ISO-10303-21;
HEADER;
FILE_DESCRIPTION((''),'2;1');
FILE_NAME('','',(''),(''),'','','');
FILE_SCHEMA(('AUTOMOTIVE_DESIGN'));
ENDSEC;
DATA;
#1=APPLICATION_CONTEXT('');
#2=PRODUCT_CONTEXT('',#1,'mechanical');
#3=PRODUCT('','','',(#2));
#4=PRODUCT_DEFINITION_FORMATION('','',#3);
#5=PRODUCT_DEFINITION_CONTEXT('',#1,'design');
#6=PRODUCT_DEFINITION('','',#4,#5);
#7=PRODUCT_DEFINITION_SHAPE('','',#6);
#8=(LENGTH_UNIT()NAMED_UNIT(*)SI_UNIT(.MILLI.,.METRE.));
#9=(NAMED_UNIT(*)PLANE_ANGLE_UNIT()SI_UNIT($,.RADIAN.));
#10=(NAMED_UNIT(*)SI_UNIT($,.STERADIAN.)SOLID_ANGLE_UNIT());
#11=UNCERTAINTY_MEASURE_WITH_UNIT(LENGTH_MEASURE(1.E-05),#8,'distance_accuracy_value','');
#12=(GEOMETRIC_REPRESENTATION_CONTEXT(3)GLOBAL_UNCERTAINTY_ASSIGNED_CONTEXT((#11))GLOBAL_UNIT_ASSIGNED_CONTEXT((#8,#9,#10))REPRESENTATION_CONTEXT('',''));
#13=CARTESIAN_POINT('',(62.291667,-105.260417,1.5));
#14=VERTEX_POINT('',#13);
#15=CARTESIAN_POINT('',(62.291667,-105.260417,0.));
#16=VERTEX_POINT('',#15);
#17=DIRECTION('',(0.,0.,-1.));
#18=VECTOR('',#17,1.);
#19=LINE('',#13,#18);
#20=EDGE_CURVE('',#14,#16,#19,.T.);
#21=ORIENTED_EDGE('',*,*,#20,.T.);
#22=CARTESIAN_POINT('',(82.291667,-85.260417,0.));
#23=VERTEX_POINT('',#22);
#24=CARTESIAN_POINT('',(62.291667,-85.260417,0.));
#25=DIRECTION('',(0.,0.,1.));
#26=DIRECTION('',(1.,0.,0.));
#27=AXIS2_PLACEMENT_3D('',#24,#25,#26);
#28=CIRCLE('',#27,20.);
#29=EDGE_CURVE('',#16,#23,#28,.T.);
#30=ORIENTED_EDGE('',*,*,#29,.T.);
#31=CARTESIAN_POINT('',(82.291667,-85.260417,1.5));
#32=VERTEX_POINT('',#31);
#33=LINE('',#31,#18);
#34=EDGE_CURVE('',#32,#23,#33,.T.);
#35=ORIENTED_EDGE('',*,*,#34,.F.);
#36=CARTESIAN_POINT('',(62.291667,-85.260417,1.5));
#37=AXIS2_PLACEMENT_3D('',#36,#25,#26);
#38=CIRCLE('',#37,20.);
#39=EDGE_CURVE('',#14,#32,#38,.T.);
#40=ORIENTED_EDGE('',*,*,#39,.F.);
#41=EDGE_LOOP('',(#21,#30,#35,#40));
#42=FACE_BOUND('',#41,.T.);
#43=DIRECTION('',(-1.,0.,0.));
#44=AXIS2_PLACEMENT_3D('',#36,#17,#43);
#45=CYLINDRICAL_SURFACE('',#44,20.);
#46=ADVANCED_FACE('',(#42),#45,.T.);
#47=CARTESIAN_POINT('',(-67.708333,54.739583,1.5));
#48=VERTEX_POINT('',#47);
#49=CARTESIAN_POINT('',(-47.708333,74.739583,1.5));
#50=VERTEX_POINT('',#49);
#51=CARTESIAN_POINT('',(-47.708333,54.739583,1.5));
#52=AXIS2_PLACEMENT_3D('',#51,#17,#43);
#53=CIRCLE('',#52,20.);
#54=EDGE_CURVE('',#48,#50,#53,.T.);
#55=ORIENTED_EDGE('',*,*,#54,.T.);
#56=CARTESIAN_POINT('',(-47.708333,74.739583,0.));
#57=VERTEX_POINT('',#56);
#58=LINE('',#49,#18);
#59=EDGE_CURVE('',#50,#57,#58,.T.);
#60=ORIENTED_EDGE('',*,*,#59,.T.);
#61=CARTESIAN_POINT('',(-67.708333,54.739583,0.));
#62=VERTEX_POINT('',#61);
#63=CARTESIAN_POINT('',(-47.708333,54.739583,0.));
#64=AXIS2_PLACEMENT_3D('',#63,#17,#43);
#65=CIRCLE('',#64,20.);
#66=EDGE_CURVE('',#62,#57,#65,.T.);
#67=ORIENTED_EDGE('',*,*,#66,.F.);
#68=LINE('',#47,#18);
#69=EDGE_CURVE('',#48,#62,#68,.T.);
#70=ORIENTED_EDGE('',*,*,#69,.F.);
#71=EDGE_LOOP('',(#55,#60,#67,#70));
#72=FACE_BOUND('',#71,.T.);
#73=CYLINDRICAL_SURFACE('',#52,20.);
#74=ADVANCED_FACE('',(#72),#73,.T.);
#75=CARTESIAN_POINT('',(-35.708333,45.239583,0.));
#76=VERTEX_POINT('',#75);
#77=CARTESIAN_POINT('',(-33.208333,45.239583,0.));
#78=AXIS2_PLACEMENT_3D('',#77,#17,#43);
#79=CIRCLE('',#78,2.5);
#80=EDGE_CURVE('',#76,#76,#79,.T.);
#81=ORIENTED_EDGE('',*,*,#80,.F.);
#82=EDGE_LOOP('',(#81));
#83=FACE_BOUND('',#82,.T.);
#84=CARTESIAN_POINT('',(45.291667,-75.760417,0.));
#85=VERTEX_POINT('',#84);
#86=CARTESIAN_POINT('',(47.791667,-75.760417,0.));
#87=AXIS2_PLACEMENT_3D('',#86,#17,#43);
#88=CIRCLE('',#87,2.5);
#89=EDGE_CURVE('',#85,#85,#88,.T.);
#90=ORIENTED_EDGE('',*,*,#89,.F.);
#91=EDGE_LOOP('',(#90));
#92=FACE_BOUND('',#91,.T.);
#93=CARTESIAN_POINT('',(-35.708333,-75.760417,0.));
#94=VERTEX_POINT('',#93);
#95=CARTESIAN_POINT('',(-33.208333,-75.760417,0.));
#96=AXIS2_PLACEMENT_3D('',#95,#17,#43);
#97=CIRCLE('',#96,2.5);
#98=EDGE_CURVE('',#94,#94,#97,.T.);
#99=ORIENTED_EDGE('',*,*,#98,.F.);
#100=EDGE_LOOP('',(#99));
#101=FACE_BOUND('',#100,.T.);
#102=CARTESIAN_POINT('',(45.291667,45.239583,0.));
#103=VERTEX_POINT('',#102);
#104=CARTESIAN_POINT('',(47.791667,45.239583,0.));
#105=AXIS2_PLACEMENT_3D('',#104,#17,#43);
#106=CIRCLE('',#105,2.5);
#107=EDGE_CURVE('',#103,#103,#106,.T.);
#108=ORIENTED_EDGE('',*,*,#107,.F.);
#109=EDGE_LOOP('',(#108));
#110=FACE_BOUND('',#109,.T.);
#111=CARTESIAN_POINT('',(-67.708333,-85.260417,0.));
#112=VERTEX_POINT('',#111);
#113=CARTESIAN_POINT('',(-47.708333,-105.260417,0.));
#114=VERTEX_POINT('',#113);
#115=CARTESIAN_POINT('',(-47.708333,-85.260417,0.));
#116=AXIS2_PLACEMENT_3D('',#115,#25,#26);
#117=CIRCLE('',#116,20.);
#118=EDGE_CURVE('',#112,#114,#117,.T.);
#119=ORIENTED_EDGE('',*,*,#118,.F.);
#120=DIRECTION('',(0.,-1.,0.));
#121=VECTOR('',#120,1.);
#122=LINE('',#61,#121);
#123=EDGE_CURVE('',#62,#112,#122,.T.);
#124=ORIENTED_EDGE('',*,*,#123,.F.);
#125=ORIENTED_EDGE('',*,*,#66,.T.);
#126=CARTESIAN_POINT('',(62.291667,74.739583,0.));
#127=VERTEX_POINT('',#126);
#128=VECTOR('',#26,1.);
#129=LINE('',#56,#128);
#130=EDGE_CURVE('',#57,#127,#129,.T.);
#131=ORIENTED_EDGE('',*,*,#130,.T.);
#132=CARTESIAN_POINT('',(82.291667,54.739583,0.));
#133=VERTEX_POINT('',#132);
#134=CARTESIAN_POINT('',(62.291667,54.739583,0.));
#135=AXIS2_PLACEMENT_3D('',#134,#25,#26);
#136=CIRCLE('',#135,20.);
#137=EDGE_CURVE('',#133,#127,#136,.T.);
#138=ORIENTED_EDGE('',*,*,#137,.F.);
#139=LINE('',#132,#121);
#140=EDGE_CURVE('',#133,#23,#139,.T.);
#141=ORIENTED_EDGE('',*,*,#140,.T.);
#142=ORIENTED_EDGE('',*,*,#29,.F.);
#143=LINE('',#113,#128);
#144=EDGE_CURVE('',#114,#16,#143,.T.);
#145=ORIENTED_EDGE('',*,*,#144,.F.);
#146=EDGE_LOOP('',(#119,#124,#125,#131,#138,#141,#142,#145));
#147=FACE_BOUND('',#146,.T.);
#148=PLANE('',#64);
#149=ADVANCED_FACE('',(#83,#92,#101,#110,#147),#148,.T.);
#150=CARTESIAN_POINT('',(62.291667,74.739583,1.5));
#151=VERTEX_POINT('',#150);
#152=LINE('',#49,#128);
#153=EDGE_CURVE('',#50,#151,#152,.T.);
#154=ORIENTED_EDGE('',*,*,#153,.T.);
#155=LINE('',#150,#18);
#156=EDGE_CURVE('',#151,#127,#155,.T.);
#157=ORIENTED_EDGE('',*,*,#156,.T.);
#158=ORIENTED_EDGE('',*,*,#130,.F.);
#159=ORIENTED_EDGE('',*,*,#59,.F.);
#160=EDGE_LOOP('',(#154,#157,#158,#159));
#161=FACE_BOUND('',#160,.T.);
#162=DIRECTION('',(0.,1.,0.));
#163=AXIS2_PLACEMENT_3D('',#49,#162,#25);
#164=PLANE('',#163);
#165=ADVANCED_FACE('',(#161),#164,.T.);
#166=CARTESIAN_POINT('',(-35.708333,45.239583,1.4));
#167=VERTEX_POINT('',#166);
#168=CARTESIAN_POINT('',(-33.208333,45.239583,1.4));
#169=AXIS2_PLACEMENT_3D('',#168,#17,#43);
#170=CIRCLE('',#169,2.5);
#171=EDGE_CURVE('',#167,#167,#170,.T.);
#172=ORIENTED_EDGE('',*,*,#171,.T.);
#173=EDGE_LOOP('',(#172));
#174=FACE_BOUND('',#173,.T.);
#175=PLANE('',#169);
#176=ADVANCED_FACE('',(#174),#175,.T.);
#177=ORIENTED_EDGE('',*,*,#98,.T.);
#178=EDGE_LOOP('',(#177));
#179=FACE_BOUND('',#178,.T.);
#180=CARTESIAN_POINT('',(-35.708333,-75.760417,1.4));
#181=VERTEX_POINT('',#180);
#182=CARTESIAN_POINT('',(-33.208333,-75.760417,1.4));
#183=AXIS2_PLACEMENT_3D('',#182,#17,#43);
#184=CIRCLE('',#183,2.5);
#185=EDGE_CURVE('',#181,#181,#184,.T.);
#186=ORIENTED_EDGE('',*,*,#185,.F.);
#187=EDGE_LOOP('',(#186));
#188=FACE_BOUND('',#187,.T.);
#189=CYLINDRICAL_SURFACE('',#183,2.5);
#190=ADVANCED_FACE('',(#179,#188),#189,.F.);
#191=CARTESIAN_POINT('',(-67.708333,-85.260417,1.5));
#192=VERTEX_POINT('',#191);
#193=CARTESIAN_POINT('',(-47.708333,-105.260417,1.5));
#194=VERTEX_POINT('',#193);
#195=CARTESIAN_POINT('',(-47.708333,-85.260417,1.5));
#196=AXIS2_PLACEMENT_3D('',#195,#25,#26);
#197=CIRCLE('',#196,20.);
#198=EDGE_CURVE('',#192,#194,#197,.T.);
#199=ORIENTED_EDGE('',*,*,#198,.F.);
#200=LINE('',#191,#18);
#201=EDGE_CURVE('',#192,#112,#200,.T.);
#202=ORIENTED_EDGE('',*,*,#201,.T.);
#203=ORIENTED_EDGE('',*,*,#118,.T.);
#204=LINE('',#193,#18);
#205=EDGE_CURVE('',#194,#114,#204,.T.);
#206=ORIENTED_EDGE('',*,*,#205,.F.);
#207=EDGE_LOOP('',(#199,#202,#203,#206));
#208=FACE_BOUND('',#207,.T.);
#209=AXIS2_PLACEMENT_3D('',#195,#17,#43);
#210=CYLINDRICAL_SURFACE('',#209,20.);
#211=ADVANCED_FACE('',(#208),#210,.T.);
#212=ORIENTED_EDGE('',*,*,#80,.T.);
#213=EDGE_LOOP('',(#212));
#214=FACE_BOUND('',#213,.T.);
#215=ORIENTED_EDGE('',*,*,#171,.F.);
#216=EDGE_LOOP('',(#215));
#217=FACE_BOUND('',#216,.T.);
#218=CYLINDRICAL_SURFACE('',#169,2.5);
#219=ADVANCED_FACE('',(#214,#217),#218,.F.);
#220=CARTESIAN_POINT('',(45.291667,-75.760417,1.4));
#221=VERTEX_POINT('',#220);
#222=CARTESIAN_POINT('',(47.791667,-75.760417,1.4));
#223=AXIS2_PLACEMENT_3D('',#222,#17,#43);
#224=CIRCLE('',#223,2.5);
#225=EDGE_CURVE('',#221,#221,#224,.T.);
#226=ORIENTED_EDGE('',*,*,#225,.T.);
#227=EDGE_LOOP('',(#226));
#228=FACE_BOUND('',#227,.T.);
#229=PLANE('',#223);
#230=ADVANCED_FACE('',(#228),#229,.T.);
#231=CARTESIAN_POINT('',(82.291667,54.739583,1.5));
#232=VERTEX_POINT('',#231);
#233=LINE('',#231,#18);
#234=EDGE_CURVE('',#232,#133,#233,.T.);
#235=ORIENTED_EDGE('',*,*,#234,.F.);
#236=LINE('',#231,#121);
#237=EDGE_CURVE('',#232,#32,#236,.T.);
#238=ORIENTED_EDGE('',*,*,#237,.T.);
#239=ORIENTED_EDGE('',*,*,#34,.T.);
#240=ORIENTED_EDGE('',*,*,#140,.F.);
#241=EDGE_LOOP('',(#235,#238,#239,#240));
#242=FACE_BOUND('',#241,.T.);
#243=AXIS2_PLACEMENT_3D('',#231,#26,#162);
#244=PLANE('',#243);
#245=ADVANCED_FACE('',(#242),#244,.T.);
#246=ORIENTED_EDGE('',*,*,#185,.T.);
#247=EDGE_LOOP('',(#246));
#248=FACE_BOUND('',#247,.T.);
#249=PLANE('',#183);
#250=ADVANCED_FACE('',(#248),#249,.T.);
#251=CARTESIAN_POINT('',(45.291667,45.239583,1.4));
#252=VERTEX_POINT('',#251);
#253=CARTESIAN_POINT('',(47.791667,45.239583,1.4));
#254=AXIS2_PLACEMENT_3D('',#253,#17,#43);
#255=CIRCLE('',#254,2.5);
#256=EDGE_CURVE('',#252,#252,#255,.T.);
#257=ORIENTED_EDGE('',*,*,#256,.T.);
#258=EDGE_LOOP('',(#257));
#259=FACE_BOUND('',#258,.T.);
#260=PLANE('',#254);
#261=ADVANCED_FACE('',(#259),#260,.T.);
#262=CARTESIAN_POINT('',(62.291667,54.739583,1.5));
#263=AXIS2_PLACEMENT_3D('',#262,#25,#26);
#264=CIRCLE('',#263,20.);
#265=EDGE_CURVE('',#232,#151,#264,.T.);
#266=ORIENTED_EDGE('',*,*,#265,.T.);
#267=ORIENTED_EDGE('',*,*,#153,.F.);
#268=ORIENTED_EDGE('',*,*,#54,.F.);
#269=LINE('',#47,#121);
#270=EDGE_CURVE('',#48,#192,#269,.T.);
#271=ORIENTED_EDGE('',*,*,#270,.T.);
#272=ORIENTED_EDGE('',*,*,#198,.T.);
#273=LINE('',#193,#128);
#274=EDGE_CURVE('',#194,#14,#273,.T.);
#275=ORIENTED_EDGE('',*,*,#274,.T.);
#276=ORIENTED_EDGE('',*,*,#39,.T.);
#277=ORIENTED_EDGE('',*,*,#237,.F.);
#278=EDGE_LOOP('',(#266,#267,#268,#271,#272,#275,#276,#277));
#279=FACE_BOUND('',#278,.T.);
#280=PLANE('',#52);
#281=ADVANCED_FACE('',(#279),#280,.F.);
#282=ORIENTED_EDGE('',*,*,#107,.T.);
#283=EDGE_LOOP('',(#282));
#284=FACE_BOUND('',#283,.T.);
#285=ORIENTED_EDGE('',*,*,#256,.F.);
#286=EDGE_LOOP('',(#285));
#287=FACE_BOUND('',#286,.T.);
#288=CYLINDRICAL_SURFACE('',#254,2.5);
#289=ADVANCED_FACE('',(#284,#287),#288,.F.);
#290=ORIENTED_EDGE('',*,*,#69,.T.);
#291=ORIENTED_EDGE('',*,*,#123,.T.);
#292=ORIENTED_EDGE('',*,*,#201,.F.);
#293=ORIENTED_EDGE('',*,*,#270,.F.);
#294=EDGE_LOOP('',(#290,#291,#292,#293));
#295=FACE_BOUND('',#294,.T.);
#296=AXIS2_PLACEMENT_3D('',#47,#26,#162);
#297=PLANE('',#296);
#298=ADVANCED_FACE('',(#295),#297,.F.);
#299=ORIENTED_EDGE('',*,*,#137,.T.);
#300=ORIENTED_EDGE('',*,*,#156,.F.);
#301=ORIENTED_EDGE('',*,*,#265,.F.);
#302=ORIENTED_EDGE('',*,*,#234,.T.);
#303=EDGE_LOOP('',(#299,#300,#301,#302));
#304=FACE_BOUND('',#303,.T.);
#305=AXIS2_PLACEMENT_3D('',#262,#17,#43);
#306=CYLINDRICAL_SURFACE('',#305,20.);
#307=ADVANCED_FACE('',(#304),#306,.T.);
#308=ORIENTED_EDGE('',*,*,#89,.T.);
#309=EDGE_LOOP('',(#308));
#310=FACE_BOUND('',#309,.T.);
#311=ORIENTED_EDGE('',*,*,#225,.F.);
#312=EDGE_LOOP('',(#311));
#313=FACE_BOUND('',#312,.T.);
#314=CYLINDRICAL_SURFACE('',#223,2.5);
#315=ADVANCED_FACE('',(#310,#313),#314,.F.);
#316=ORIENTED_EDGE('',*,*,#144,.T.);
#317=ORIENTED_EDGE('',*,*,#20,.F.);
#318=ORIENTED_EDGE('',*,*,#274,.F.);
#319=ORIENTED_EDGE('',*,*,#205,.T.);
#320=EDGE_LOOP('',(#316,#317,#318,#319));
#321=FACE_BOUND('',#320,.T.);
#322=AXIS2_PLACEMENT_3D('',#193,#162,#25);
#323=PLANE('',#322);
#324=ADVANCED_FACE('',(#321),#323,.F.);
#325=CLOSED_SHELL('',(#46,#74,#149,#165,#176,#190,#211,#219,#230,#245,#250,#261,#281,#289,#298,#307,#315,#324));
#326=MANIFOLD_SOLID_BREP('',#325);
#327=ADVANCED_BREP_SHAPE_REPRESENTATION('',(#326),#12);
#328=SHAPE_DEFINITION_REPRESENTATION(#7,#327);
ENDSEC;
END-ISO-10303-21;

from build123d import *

# Parameters (mm, degrees)
SALIENTE_EXTRUIR1_DEPTH = 1.5
CROQUIS2_R              = 2.5
CORTAR_EXTRUIR1_DEPTH   = 1.4


with BuildPart() as part:
    # Croquis1 → Saliente-Extruir1 (new body)
    with BuildSketch(Plane.XY):
        with BuildLine():
            Line((-47.708333333, 74.739583333), (62.291666667, 74.739583333))
            ThreePointArc((62.291666667, 74.739583333), (76.43380229, 68.881718957), (82.291666667, 54.739583333))
            Line((82.291666667, 54.739583333), (82.291666667, -85.260416667))
            ThreePointArc((82.291666667, -85.260416667), (76.43380229, -99.40255229), (62.291666667, -105.260416667))
            Line((62.291666667, -105.260416667), (-47.708333333, -105.260416667))
            ThreePointArc((-47.708333333, -105.260416667), (-61.850468957, -99.40255229), (-67.708333333, -85.260416667))
            Line((-67.708333333, -85.260416667), (-67.708333333, 54.739583333))
            ThreePointArc((-67.708333333, 54.739583333), (-61.850468957, 68.881718957), (-47.708333333, 74.739583333))
        make_face()
    extrude(amount=SALIENTE_EXTRUIR1_DEPTH)

    # Croquis2 → Cortar-Extruir1 (cut)
    with BuildSketch(Plane(origin=(0, 0, 0), x_dir=(-1, 0, 0), z_dir=(0, 0, -1))):
        with Locations((-47.791666667, 45.239583333)):
            Circle(CROQUIS2_R)
        with Locations((33.208333333, 45.239583333)):
            Circle(CROQUIS2_R)
        with Locations((33.208333333, -75.760416667)):
            Circle(CROQUIS2_R)
        with Locations((-47.791666667, -75.760416667)):
            Circle(CROQUIS2_R)
    extrude(amount=-CORTAR_EXTRUIR1_DEPTH, mode=Mode.SUBTRACT)


solid = part.part
